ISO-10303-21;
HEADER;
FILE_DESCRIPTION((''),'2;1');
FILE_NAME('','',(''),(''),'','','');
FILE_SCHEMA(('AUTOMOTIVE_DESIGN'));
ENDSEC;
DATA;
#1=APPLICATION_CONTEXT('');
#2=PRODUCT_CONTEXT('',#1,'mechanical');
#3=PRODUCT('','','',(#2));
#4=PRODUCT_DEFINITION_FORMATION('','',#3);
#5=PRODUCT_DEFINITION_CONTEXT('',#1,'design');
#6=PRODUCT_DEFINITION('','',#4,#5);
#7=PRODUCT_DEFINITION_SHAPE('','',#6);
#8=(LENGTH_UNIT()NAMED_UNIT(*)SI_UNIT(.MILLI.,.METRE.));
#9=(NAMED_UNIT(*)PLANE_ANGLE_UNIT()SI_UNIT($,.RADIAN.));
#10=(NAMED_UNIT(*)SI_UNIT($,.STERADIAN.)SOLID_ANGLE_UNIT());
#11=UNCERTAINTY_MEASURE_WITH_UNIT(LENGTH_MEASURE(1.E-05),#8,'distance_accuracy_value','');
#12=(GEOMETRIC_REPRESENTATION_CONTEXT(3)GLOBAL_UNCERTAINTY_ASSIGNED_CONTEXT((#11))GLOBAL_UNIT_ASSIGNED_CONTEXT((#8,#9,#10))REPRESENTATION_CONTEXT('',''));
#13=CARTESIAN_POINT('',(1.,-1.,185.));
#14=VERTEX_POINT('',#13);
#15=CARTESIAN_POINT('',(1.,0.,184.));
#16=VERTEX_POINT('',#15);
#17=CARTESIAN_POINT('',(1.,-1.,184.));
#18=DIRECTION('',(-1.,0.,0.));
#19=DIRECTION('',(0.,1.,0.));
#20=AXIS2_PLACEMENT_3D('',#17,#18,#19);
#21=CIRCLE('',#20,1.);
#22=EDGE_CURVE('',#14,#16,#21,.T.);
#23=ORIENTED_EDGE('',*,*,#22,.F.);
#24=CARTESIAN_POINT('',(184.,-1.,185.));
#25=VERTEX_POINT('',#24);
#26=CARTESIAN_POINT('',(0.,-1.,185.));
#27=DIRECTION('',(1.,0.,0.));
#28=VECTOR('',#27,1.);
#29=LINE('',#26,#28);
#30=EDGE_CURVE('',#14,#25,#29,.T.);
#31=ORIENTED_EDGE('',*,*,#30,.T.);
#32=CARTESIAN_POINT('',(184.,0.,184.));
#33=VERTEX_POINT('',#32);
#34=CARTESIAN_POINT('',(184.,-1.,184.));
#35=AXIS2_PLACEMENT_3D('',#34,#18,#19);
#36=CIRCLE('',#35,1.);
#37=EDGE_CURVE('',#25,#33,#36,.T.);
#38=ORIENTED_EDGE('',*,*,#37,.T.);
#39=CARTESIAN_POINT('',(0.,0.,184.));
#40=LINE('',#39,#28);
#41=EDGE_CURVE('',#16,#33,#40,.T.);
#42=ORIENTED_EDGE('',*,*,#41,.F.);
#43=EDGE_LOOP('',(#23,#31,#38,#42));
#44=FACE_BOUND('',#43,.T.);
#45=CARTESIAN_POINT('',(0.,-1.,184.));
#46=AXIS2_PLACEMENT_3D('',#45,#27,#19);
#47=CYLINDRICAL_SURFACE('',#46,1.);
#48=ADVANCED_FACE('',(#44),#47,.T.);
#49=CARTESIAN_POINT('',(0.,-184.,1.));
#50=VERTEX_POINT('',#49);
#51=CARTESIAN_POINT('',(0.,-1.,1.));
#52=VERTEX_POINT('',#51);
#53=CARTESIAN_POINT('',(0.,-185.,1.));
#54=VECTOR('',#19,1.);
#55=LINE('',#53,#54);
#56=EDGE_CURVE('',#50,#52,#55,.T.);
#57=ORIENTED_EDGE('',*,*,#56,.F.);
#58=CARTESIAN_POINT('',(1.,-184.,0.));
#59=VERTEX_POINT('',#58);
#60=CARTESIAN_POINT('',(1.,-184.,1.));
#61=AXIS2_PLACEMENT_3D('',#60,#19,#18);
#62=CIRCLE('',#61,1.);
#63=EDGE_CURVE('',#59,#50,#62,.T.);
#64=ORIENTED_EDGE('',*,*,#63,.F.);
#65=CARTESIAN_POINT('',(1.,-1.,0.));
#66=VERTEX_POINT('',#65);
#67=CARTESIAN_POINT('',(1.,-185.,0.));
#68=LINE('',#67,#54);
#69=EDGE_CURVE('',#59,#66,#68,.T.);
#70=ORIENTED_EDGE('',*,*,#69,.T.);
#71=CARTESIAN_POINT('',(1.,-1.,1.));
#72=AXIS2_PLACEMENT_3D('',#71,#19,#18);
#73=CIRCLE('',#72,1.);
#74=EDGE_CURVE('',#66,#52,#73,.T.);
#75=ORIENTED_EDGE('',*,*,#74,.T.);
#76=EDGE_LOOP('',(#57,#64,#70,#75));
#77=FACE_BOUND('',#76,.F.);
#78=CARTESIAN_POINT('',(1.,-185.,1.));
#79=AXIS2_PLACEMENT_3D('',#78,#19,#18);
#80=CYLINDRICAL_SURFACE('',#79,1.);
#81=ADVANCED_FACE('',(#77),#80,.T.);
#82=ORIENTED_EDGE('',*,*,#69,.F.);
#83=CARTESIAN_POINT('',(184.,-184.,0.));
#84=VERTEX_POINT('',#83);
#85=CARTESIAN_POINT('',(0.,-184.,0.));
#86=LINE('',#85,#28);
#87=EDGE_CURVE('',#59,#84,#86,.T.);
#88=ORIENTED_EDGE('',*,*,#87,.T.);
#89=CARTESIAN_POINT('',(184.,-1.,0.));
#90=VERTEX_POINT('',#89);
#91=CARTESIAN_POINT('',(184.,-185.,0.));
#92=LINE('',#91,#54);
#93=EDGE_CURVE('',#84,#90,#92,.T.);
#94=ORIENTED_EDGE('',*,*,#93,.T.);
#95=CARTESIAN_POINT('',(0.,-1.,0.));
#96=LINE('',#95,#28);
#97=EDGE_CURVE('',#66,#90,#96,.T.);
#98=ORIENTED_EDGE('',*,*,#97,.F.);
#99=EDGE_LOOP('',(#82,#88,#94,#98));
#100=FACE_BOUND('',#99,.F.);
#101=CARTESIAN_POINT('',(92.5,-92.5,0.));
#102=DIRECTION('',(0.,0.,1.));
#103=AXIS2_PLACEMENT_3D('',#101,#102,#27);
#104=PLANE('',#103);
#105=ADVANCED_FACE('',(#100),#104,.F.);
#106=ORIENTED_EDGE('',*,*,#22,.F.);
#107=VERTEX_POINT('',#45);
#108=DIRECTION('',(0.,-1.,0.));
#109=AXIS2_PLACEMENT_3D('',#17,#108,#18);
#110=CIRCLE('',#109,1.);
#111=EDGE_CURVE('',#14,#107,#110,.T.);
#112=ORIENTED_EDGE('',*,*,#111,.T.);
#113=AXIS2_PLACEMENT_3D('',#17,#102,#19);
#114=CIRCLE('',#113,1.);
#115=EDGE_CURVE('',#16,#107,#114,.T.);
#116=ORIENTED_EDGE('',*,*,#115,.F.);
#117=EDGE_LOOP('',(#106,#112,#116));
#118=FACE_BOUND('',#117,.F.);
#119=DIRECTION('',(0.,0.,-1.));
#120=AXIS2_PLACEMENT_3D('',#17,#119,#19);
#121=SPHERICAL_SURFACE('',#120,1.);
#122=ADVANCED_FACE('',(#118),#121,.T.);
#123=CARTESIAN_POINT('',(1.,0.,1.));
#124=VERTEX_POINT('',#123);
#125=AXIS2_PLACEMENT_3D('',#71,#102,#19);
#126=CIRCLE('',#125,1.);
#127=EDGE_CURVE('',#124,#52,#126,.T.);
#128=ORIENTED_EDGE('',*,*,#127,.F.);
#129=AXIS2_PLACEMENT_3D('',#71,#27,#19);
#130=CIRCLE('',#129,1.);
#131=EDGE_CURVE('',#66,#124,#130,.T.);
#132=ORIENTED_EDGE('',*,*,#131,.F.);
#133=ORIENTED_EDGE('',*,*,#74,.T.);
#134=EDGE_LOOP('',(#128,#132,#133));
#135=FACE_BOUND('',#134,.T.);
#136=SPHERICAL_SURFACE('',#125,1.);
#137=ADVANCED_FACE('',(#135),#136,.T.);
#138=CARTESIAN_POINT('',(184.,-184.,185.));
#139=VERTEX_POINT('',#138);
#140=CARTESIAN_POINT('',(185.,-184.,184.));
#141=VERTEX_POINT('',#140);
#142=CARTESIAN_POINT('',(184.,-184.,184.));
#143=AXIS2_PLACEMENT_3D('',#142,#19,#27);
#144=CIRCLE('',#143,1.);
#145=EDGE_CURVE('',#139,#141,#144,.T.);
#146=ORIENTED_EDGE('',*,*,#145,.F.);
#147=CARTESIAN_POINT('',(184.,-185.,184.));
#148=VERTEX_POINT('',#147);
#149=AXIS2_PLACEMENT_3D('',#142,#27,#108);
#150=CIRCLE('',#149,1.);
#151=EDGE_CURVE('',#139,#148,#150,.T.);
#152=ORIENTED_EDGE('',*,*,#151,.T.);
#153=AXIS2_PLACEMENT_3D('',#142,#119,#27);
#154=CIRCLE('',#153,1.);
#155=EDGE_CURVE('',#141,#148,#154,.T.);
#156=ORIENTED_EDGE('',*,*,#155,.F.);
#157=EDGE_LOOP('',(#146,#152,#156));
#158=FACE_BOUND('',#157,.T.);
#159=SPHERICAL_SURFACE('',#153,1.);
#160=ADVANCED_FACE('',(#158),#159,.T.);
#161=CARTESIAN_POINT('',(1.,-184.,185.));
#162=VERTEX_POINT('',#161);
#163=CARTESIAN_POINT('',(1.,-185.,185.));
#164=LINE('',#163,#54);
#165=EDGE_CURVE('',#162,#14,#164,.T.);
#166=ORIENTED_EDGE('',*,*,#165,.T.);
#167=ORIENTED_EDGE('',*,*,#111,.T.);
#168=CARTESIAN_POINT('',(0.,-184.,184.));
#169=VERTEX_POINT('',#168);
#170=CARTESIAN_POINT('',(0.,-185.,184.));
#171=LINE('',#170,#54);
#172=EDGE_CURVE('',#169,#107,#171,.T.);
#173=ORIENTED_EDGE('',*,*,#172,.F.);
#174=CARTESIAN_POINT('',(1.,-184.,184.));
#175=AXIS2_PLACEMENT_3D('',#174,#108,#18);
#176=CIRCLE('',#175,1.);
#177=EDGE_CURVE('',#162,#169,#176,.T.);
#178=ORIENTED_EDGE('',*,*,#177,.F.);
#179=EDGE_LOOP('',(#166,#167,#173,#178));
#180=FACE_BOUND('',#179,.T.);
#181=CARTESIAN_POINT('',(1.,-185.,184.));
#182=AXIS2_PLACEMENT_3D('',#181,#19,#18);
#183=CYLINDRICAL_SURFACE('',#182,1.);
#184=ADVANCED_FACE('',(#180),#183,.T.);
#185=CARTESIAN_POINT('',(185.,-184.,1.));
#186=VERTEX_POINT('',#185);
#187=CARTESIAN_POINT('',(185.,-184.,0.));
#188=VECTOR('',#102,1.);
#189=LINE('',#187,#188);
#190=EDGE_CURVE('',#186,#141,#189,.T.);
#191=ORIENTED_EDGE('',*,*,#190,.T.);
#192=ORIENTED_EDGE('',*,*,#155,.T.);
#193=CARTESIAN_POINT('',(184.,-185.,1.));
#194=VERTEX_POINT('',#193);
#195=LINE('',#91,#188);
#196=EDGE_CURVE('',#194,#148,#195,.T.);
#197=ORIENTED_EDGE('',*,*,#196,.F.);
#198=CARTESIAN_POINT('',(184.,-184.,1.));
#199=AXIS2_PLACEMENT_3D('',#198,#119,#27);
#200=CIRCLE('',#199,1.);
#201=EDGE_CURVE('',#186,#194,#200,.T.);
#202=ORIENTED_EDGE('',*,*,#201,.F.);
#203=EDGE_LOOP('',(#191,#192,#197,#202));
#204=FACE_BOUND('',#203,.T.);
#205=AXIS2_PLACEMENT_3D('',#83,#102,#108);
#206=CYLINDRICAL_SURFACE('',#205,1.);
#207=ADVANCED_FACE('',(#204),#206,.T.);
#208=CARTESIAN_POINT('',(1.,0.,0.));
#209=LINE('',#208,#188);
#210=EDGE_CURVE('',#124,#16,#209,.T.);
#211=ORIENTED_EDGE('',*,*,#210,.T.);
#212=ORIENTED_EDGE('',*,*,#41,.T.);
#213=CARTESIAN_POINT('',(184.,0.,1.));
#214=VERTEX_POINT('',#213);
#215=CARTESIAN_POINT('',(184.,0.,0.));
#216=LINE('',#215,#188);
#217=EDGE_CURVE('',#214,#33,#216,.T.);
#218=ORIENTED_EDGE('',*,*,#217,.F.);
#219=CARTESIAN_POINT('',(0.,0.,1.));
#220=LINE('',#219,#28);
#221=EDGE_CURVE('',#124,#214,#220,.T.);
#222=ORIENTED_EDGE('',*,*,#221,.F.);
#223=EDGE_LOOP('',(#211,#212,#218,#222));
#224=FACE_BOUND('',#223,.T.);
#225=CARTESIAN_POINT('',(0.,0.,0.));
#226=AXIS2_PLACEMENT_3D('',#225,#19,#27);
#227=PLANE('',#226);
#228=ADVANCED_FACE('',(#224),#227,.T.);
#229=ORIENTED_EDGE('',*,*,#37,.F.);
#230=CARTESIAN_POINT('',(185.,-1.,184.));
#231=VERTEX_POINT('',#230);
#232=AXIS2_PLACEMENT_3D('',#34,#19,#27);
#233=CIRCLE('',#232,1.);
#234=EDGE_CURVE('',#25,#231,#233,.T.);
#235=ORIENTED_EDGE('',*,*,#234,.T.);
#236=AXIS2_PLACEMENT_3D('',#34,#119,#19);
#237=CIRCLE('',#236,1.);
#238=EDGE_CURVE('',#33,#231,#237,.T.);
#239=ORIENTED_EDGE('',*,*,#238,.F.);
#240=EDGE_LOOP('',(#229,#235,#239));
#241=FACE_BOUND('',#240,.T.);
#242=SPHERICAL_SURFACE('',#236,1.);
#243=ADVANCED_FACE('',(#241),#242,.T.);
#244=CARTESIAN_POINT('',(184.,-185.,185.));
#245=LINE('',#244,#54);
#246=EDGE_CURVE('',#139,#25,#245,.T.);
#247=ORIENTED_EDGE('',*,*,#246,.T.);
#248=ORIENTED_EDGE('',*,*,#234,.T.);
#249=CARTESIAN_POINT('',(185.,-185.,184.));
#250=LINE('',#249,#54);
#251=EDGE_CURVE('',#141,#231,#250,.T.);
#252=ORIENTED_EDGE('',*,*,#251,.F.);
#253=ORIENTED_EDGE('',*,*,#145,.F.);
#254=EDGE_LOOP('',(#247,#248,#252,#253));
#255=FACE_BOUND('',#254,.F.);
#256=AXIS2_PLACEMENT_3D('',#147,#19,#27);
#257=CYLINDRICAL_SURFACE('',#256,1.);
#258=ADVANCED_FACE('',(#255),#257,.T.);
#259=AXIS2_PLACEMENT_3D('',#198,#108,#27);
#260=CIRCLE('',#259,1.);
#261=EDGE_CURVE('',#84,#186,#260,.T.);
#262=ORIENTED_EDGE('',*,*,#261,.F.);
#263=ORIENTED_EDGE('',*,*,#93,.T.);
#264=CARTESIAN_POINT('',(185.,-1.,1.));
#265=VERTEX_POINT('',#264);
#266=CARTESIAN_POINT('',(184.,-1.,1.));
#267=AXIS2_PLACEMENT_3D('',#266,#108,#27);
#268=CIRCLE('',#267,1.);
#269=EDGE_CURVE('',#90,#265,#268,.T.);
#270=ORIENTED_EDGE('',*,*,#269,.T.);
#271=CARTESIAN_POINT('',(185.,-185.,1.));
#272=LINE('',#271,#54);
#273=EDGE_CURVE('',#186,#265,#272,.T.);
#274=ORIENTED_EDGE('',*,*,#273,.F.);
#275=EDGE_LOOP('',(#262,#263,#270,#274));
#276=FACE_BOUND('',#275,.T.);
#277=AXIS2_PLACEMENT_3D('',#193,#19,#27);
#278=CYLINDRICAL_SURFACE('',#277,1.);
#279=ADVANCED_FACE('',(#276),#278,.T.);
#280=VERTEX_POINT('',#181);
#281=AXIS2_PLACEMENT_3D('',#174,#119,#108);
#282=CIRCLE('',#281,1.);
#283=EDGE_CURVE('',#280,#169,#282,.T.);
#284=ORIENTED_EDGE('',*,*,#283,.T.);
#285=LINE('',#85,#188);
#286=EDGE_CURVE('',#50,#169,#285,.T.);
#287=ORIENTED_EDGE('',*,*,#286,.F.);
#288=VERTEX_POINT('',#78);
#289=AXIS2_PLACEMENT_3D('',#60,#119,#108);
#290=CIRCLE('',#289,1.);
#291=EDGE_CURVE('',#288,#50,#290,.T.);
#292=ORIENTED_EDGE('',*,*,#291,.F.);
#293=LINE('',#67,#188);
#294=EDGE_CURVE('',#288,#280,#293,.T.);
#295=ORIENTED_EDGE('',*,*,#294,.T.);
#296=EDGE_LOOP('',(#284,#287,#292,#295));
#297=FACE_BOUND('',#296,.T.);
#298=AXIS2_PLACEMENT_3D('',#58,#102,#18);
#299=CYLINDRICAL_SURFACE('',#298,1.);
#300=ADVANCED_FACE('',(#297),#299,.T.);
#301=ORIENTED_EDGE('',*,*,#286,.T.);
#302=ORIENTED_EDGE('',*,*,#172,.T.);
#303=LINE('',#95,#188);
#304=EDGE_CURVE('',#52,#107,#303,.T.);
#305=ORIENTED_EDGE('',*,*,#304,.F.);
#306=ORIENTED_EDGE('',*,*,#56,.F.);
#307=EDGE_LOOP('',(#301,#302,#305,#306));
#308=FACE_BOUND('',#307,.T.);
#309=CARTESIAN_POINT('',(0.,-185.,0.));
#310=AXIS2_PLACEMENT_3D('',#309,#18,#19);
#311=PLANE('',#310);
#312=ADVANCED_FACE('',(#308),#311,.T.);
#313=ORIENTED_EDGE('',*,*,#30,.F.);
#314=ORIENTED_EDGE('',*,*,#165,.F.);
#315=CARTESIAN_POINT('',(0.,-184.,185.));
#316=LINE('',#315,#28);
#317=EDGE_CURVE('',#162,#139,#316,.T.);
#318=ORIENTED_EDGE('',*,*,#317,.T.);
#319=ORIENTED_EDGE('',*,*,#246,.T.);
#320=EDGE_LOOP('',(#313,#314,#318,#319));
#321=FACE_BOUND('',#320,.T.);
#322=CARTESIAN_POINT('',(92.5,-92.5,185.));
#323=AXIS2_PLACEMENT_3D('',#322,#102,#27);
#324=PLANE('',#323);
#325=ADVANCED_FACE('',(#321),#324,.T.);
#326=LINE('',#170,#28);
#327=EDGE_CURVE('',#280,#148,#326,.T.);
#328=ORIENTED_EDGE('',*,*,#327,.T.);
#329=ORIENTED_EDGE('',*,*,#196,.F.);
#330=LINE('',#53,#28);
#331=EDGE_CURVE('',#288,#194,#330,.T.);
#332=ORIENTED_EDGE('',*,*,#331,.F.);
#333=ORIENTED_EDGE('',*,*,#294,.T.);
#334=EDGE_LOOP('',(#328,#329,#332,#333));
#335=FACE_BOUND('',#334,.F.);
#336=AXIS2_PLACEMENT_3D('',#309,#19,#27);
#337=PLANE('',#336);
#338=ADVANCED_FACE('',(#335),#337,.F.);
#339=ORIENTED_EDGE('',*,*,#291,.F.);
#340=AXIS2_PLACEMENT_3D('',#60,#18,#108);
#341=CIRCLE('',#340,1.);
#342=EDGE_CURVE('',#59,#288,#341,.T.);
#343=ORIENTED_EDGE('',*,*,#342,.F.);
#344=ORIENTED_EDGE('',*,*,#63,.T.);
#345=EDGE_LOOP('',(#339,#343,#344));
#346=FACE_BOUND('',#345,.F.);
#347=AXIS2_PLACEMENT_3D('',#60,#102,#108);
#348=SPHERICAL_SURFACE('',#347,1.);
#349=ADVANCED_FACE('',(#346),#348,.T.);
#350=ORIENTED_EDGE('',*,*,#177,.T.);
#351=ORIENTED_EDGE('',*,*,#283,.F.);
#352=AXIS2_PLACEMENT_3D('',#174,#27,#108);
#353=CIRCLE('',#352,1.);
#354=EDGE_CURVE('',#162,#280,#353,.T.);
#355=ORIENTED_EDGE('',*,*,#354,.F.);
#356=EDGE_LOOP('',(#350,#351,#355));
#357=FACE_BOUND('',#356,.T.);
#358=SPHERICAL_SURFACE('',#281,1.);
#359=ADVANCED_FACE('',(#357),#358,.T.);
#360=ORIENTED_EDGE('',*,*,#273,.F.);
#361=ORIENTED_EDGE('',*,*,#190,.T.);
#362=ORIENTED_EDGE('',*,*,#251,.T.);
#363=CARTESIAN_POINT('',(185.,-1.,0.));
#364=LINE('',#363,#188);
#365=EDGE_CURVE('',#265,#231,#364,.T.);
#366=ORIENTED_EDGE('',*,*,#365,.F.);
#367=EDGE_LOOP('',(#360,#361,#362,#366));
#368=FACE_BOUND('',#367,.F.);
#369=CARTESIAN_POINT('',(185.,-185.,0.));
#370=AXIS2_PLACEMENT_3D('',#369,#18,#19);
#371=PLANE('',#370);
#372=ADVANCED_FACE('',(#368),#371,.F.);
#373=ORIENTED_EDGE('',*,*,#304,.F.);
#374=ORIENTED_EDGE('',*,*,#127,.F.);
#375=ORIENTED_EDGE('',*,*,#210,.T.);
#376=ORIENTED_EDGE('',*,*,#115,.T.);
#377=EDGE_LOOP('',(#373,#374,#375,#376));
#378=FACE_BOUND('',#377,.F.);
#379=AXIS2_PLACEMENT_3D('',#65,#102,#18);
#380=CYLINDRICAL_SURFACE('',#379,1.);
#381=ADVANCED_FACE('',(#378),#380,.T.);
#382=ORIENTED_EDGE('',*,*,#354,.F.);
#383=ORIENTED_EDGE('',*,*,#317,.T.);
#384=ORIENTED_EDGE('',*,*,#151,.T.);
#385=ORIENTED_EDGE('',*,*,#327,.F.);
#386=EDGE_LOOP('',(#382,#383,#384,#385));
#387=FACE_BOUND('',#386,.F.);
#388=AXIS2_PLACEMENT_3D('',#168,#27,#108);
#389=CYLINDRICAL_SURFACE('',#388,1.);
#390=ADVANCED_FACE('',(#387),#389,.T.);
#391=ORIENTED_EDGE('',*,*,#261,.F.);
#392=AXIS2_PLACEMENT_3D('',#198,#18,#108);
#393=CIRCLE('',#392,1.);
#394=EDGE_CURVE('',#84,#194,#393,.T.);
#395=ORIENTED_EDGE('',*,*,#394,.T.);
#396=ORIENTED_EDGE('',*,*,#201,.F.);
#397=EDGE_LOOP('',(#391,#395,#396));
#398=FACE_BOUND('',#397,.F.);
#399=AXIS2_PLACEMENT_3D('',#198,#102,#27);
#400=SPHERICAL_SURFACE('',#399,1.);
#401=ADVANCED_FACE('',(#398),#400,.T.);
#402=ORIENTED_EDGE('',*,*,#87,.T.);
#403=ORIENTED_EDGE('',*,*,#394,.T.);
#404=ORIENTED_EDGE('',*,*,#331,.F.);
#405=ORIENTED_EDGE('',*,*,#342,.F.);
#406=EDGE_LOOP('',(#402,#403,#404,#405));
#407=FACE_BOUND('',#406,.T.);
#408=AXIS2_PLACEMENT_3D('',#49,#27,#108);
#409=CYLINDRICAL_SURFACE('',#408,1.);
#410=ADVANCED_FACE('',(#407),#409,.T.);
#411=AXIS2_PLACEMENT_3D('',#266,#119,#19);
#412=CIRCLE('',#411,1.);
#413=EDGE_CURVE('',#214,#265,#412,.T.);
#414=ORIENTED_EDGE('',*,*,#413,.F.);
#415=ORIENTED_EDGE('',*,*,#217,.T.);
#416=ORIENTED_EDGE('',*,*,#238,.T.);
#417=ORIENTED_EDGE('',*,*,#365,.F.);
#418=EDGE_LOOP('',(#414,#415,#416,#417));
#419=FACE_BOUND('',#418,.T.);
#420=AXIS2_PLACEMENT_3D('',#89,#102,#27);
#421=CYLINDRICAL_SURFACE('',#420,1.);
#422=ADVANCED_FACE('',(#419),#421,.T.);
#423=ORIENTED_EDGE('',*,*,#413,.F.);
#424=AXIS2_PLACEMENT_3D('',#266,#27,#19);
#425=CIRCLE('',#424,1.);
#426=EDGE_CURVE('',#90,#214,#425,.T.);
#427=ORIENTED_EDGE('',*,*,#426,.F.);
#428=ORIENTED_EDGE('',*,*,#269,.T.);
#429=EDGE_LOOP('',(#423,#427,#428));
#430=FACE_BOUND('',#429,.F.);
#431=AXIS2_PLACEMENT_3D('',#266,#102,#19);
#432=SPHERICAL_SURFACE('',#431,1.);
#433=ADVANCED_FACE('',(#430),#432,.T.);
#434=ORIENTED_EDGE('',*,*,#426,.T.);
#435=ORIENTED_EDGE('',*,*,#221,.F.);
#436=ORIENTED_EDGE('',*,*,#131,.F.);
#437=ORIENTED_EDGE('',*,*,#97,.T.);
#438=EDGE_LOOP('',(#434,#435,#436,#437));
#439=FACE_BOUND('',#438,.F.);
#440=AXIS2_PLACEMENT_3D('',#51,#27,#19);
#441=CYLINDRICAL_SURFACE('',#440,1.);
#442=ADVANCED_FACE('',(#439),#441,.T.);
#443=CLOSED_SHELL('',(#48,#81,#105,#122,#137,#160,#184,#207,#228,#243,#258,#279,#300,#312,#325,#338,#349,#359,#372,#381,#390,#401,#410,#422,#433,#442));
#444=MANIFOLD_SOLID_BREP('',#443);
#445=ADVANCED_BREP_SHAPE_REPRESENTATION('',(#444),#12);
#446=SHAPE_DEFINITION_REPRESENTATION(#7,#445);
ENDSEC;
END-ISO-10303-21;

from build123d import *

# Parameters (mm, degrees)
SKETCH_W  = 185
SKETCH_H  = 185
PAD_DEPTH = 185
FILLET_R  = 1


with BuildPart() as part:
    # Sketch → Pad (new body)
    with BuildSketch(Plane.XY):
        with Locations((92.5, -92.5)):
            Rectangle(SKETCH_W, SKETCH_H)
    extrude(amount=PAD_DEPTH)

    # Fillet
    fillet_edges = [part.edges().sort_by_distance(p)[0] for p in [
        (0, 0, 92.5),
        (185, 0, 92.5),
        (92.5, 0, 0),
        (92.5, 0, 185),
        (185, -185, 92.5),
        (185, -92.5, 0),
        (185, -92.5, 185),
        (0, -185, 92.5),
        (92.5, -185, 0),
        (92.5, -185, 185),
        (0, -92.5, 0),
        (0, -92.5, 185),
    ]]
    fillet(fillet_edges, radius=FILLET_R)


solid = part.part
